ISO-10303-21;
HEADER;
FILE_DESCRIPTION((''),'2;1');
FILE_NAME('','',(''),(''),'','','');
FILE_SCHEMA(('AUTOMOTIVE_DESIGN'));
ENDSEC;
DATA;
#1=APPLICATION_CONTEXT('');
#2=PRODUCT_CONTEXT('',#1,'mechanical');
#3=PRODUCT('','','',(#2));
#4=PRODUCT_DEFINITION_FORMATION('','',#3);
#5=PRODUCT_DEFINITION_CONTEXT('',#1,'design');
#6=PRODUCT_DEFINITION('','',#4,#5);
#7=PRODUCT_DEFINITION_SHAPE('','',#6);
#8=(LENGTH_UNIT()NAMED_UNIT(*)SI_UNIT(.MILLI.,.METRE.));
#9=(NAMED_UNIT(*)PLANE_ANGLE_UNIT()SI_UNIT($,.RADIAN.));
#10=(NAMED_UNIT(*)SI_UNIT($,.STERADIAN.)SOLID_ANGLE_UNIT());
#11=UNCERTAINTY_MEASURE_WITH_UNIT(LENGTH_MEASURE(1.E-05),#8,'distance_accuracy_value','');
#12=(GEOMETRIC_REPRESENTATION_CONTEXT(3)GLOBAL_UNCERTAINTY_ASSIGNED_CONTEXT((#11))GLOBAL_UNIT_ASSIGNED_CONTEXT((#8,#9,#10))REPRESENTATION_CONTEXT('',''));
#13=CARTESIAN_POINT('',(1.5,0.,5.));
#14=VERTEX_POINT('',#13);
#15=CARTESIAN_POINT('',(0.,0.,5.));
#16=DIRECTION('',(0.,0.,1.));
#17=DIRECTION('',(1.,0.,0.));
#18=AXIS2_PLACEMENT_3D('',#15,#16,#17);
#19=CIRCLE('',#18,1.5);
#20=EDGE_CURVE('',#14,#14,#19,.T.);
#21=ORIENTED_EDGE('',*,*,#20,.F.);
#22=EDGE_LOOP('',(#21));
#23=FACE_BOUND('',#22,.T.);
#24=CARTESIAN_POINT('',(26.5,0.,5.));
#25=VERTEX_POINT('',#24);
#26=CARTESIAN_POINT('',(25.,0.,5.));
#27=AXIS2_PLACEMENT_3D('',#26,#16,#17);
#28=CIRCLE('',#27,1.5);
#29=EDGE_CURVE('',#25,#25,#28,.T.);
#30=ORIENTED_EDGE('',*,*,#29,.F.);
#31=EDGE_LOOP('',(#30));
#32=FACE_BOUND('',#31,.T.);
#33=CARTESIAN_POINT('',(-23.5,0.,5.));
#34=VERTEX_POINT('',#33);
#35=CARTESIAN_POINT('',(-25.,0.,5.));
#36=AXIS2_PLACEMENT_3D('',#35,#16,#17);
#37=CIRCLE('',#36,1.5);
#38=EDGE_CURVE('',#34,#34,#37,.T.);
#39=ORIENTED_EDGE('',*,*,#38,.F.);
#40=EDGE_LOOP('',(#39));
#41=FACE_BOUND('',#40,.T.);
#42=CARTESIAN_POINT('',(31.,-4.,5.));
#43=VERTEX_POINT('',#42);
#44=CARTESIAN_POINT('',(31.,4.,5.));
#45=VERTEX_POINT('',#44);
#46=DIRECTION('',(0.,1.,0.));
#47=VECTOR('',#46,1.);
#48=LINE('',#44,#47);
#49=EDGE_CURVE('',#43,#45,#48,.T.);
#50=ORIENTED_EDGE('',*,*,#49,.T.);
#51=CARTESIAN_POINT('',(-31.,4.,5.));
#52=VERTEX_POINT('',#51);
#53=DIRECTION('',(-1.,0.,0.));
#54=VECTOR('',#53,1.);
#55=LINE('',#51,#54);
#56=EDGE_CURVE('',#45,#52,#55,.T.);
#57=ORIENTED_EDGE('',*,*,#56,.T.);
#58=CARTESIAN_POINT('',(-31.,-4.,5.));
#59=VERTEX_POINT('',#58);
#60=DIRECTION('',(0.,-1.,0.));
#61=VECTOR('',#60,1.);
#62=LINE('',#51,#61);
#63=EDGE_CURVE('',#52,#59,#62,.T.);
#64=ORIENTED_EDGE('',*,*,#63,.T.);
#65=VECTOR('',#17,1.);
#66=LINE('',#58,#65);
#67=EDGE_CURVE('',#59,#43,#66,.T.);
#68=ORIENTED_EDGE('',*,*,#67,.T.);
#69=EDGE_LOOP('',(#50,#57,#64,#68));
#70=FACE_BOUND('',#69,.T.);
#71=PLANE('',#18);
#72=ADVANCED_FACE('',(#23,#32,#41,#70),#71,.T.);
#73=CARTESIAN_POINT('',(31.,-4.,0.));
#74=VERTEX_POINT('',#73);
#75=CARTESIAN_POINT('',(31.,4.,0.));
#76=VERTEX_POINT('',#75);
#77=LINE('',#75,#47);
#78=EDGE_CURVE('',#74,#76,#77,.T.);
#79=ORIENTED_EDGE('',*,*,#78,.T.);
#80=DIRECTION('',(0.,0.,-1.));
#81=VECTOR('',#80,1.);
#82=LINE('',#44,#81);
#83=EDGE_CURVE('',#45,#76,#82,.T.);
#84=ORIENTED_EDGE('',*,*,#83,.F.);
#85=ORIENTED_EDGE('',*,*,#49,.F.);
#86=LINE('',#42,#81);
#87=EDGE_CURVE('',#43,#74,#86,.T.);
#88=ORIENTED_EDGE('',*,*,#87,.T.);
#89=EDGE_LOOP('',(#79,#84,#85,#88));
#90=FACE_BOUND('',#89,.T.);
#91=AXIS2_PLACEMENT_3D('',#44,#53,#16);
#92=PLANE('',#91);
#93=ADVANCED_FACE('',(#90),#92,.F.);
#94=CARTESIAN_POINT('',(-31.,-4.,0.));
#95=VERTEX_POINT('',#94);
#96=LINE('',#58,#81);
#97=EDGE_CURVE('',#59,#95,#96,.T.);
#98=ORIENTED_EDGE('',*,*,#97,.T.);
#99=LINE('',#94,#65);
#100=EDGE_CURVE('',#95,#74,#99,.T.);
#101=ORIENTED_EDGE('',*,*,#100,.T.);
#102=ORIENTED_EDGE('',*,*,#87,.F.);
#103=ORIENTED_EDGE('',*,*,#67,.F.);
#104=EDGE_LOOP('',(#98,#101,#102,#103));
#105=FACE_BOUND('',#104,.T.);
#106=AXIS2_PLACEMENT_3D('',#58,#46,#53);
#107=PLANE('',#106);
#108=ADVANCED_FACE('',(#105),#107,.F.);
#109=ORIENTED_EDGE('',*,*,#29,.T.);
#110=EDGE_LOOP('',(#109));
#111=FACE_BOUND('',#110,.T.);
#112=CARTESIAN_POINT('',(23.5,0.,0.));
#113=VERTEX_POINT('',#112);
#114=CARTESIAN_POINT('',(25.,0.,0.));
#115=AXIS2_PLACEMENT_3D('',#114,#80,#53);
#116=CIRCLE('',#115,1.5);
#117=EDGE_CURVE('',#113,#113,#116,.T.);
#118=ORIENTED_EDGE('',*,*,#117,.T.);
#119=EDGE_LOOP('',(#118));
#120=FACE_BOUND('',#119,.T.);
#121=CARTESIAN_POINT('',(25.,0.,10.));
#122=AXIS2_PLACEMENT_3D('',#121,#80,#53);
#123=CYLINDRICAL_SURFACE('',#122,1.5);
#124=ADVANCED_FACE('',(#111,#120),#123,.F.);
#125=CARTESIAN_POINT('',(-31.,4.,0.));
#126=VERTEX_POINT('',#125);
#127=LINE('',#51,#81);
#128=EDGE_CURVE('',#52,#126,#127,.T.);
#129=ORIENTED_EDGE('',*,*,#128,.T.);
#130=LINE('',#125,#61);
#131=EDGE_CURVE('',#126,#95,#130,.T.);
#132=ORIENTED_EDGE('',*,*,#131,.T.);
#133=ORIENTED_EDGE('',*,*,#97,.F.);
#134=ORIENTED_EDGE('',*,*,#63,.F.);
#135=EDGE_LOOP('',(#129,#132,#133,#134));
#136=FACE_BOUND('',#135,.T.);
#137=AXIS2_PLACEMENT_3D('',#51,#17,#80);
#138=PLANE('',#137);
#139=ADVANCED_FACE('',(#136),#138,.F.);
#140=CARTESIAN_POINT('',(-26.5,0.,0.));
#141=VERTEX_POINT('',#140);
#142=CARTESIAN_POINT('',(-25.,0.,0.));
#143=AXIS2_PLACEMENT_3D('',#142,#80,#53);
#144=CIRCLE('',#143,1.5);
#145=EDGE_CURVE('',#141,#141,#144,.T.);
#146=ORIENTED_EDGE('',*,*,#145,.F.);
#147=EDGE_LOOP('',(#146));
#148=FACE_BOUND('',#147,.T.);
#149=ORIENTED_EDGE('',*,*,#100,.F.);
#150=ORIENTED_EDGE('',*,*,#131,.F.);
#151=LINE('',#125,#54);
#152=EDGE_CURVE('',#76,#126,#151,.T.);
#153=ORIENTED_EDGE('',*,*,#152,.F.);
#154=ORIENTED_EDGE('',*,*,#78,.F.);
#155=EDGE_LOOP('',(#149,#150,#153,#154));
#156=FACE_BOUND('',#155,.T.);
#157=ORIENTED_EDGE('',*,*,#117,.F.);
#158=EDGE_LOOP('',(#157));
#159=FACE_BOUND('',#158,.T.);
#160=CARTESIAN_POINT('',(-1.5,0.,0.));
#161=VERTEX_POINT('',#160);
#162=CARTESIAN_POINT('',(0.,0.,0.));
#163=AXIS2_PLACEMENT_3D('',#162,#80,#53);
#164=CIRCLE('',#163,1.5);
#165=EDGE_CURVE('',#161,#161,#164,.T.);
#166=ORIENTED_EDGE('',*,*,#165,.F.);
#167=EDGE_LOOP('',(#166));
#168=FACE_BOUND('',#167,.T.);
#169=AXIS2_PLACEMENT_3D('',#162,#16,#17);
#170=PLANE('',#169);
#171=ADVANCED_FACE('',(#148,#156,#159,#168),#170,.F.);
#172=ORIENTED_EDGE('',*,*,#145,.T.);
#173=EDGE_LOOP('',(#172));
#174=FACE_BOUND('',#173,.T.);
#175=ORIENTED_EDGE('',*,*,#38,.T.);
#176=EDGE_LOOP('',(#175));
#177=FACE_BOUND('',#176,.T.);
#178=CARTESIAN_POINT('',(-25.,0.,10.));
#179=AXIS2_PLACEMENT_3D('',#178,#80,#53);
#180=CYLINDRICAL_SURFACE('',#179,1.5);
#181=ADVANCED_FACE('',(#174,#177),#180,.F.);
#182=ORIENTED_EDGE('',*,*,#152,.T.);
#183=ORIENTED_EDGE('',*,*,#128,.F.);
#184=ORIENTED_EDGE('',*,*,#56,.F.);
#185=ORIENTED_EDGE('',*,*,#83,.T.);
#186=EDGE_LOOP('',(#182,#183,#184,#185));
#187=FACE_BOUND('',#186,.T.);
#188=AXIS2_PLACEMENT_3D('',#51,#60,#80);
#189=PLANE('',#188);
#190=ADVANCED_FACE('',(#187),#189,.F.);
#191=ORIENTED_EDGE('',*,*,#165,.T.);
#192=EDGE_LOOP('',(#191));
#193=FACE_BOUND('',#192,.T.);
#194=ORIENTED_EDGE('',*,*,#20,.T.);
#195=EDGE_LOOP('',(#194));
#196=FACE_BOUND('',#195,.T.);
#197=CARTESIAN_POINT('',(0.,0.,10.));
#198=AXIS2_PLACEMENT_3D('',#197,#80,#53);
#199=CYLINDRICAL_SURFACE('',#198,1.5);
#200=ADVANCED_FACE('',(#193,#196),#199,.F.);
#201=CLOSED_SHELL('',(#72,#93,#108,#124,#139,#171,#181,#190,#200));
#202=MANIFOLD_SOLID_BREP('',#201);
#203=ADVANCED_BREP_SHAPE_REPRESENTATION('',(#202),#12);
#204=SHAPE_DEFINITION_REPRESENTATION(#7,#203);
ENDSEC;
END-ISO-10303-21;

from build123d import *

# Parameters (mm, degrees)
SKETCH1_W           = 62
SKETCH1_H           = 8
BOSS_EXTRUDE1_DEPTH = 5
SKETCH2_R           = 1.5
CUT_EXTRUDE1_DEPTH  = 10


with BuildPart() as part:
    # Sketch1 → Boss-Extrude1 (new body)
    with BuildSketch(Plane.XY):
        Rectangle(SKETCH1_W, SKETCH1_H)
    extrude(amount=BOSS_EXTRUDE1_DEPTH)

    # Sketch2 → Cut-Extrude1 (cut)
    with BuildSketch(Plane(origin=(0, 0, 0), x_dir=(-1, 0, 0), z_dir=(0, 0, -1))):
        with Locations((-25, 0)):
            Circle(SKETCH2_R)
        Circle(SKETCH2_R)
        with Locations((25, 0)):
            Circle(SKETCH2_R)
    extrude(amount=-CUT_EXTRUDE1_DEPTH, mode=Mode.SUBTRACT)


solid = part.part
